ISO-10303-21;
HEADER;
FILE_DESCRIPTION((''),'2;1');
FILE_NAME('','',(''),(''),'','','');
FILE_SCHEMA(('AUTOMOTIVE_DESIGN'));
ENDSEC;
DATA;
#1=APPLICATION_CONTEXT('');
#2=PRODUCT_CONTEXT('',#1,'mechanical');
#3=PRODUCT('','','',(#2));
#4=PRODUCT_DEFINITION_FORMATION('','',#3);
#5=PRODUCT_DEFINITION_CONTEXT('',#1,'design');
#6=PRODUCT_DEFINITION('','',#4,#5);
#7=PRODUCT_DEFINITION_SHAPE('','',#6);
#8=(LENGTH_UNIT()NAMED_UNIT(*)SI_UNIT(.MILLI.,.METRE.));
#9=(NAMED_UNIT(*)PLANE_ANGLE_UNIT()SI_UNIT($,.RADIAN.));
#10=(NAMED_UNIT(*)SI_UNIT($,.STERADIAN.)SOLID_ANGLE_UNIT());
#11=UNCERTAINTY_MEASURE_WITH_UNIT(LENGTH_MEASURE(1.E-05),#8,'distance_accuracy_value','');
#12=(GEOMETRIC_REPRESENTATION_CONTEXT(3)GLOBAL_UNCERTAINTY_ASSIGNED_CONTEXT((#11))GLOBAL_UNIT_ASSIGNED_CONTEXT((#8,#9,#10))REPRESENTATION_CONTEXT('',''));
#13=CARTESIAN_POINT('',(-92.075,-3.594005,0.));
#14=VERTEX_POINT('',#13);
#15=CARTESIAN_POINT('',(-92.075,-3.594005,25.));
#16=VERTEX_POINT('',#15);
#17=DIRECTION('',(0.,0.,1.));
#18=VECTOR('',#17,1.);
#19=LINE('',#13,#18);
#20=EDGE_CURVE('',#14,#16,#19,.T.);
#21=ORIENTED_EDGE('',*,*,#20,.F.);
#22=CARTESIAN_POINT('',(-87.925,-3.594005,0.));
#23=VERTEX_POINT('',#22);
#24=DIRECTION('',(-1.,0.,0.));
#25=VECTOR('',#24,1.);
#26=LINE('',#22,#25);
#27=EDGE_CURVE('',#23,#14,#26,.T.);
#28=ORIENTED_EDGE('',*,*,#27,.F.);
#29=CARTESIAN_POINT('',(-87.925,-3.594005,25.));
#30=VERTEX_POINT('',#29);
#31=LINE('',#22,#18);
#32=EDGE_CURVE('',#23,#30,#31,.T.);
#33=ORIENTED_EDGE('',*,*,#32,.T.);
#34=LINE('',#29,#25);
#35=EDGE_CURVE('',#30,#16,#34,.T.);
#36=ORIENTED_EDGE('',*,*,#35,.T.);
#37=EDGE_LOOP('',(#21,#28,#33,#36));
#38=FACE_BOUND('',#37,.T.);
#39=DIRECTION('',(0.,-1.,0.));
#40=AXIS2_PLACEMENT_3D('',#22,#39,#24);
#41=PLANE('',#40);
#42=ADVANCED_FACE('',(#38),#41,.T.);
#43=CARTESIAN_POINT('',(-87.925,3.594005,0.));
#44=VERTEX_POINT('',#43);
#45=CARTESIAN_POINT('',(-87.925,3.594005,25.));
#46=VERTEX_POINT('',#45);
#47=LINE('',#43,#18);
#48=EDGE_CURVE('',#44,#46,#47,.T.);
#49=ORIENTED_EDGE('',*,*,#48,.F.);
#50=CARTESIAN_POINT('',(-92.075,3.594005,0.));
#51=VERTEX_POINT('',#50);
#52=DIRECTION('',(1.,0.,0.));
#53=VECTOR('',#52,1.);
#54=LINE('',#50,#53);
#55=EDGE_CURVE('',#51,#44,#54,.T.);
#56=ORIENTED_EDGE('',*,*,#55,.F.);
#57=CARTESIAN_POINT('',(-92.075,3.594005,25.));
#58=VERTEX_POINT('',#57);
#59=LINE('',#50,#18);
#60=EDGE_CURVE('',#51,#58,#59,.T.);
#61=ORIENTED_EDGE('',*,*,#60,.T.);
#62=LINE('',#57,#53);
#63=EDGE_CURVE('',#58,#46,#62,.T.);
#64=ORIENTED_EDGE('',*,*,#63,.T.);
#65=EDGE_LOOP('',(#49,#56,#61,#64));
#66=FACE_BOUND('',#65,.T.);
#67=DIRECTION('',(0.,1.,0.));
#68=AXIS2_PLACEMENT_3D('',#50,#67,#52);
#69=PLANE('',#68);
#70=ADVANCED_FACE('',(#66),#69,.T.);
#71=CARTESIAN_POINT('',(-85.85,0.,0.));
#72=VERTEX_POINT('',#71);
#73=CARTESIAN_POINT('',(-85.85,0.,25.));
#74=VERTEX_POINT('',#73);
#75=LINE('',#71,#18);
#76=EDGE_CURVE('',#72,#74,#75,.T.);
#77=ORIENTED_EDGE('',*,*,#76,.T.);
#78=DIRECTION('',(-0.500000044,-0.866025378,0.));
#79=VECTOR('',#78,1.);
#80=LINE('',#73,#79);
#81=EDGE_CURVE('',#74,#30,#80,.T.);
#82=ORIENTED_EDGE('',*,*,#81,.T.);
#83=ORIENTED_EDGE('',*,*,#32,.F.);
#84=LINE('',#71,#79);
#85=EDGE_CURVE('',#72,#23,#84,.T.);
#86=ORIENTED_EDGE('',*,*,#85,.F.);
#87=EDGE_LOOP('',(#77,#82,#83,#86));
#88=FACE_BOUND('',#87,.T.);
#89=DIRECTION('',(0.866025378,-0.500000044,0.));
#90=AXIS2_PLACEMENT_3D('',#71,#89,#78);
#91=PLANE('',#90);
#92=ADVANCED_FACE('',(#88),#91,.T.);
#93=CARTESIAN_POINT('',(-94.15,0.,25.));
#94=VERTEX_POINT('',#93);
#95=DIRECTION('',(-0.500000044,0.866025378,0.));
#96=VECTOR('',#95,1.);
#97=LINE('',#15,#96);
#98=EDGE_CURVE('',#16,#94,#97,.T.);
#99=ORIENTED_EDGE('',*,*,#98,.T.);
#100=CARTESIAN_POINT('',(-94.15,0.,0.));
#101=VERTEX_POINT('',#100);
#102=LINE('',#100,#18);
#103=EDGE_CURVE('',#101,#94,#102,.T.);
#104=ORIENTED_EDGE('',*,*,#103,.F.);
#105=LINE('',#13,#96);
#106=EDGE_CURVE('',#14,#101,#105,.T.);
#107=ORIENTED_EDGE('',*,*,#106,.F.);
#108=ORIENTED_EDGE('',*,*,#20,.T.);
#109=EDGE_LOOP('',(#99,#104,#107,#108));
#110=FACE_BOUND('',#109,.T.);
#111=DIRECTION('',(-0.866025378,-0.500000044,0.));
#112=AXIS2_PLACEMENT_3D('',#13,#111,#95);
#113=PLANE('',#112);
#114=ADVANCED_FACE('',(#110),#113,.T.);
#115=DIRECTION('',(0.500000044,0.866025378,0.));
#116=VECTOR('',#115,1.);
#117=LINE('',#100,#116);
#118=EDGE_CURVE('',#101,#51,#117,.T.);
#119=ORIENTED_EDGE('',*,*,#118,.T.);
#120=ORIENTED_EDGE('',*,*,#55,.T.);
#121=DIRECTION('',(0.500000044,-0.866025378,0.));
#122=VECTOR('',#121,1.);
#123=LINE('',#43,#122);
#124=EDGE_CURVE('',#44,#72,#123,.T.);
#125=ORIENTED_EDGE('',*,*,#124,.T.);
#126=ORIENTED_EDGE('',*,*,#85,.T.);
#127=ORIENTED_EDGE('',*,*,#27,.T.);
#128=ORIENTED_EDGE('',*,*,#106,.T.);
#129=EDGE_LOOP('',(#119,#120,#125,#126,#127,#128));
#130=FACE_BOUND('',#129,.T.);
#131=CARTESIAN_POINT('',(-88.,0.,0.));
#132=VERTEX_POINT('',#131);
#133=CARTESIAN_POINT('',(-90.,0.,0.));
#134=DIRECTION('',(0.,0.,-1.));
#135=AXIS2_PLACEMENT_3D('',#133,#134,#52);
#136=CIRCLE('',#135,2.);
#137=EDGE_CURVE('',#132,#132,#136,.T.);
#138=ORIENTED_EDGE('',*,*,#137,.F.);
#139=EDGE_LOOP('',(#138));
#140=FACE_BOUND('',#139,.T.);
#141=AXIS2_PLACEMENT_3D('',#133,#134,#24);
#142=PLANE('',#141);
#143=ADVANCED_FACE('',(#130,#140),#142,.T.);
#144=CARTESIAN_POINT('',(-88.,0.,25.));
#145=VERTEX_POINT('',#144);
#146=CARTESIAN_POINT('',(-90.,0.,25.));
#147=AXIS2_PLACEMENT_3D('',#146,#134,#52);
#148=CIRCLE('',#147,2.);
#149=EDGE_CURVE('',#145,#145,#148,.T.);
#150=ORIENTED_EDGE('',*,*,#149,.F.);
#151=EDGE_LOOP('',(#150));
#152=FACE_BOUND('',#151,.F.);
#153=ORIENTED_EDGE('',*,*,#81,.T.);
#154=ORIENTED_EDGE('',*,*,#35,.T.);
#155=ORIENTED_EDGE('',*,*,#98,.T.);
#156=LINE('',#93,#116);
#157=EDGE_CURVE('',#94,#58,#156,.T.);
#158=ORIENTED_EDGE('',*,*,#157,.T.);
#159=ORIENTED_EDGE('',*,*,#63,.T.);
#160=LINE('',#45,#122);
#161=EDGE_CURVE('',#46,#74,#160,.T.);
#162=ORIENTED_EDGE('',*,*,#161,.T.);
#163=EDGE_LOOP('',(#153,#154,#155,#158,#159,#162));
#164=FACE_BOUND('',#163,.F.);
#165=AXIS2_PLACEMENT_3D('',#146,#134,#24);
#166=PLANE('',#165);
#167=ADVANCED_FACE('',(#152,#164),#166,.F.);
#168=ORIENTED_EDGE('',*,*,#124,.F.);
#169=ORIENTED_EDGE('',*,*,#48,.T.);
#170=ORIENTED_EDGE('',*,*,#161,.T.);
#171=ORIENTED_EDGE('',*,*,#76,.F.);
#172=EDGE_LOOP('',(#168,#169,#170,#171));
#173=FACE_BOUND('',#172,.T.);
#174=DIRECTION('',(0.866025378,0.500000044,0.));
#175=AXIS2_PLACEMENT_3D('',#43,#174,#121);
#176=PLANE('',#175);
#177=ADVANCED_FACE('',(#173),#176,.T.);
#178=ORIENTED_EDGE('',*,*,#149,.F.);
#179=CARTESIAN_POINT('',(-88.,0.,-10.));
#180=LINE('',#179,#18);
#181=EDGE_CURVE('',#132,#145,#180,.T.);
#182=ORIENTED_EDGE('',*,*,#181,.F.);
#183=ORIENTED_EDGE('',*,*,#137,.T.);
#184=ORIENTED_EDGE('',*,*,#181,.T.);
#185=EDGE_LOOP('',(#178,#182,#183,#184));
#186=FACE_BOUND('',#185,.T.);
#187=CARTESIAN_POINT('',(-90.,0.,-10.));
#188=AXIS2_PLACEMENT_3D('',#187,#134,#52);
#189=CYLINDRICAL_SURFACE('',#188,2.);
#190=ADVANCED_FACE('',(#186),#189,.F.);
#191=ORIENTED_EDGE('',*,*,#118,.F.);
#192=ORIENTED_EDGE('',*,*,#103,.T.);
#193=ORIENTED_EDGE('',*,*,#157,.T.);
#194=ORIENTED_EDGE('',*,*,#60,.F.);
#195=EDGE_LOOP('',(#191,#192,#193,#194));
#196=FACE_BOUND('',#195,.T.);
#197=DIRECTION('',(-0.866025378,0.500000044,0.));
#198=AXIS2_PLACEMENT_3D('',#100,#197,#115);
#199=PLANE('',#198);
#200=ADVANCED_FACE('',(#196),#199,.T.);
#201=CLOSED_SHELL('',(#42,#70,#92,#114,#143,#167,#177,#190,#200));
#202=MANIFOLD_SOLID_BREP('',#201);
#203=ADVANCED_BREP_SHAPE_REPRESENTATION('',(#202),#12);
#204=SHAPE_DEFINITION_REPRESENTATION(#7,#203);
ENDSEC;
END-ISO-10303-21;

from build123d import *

# Parameters (mm, degrees)
CYLINDER013_R     = 2
CYLINDER013_DEPTH = 50
PAD_DEPTH         = 25


with BuildPart() as cylinder013:
    # Cylinder013 → Cylinder013 (new body)
    with BuildSketch(Plane(origin=(-90, 0, -10), x_dir=(1, 0, 0), z_dir=(0, 0, 1))):
        Circle(CYLINDER013_R)
    extrude(amount=CYLINDER013_DEPTH)


with BuildPart() as entrtoise_25mm:
    # Polygon → Pad (new body)
    with BuildSketch(Plane(origin=(-90, 0, 0), x_dir=(1, 0, 0), z_dir=(0, 0, 1))):
        Polygon((2.075, 3.594005), (4.15, 0), (2.075, -3.594005), (-2.075, -3.594005), (-4.15, 0), (-2.075, 3.594005), align=None)
    extrude(amount=PAD_DEPTH)

    # Cut002002: cut Cylinder013
    add(cylinder013.part, mode=Mode.SUBTRACT)


solid = entrtoise_25mm.part
